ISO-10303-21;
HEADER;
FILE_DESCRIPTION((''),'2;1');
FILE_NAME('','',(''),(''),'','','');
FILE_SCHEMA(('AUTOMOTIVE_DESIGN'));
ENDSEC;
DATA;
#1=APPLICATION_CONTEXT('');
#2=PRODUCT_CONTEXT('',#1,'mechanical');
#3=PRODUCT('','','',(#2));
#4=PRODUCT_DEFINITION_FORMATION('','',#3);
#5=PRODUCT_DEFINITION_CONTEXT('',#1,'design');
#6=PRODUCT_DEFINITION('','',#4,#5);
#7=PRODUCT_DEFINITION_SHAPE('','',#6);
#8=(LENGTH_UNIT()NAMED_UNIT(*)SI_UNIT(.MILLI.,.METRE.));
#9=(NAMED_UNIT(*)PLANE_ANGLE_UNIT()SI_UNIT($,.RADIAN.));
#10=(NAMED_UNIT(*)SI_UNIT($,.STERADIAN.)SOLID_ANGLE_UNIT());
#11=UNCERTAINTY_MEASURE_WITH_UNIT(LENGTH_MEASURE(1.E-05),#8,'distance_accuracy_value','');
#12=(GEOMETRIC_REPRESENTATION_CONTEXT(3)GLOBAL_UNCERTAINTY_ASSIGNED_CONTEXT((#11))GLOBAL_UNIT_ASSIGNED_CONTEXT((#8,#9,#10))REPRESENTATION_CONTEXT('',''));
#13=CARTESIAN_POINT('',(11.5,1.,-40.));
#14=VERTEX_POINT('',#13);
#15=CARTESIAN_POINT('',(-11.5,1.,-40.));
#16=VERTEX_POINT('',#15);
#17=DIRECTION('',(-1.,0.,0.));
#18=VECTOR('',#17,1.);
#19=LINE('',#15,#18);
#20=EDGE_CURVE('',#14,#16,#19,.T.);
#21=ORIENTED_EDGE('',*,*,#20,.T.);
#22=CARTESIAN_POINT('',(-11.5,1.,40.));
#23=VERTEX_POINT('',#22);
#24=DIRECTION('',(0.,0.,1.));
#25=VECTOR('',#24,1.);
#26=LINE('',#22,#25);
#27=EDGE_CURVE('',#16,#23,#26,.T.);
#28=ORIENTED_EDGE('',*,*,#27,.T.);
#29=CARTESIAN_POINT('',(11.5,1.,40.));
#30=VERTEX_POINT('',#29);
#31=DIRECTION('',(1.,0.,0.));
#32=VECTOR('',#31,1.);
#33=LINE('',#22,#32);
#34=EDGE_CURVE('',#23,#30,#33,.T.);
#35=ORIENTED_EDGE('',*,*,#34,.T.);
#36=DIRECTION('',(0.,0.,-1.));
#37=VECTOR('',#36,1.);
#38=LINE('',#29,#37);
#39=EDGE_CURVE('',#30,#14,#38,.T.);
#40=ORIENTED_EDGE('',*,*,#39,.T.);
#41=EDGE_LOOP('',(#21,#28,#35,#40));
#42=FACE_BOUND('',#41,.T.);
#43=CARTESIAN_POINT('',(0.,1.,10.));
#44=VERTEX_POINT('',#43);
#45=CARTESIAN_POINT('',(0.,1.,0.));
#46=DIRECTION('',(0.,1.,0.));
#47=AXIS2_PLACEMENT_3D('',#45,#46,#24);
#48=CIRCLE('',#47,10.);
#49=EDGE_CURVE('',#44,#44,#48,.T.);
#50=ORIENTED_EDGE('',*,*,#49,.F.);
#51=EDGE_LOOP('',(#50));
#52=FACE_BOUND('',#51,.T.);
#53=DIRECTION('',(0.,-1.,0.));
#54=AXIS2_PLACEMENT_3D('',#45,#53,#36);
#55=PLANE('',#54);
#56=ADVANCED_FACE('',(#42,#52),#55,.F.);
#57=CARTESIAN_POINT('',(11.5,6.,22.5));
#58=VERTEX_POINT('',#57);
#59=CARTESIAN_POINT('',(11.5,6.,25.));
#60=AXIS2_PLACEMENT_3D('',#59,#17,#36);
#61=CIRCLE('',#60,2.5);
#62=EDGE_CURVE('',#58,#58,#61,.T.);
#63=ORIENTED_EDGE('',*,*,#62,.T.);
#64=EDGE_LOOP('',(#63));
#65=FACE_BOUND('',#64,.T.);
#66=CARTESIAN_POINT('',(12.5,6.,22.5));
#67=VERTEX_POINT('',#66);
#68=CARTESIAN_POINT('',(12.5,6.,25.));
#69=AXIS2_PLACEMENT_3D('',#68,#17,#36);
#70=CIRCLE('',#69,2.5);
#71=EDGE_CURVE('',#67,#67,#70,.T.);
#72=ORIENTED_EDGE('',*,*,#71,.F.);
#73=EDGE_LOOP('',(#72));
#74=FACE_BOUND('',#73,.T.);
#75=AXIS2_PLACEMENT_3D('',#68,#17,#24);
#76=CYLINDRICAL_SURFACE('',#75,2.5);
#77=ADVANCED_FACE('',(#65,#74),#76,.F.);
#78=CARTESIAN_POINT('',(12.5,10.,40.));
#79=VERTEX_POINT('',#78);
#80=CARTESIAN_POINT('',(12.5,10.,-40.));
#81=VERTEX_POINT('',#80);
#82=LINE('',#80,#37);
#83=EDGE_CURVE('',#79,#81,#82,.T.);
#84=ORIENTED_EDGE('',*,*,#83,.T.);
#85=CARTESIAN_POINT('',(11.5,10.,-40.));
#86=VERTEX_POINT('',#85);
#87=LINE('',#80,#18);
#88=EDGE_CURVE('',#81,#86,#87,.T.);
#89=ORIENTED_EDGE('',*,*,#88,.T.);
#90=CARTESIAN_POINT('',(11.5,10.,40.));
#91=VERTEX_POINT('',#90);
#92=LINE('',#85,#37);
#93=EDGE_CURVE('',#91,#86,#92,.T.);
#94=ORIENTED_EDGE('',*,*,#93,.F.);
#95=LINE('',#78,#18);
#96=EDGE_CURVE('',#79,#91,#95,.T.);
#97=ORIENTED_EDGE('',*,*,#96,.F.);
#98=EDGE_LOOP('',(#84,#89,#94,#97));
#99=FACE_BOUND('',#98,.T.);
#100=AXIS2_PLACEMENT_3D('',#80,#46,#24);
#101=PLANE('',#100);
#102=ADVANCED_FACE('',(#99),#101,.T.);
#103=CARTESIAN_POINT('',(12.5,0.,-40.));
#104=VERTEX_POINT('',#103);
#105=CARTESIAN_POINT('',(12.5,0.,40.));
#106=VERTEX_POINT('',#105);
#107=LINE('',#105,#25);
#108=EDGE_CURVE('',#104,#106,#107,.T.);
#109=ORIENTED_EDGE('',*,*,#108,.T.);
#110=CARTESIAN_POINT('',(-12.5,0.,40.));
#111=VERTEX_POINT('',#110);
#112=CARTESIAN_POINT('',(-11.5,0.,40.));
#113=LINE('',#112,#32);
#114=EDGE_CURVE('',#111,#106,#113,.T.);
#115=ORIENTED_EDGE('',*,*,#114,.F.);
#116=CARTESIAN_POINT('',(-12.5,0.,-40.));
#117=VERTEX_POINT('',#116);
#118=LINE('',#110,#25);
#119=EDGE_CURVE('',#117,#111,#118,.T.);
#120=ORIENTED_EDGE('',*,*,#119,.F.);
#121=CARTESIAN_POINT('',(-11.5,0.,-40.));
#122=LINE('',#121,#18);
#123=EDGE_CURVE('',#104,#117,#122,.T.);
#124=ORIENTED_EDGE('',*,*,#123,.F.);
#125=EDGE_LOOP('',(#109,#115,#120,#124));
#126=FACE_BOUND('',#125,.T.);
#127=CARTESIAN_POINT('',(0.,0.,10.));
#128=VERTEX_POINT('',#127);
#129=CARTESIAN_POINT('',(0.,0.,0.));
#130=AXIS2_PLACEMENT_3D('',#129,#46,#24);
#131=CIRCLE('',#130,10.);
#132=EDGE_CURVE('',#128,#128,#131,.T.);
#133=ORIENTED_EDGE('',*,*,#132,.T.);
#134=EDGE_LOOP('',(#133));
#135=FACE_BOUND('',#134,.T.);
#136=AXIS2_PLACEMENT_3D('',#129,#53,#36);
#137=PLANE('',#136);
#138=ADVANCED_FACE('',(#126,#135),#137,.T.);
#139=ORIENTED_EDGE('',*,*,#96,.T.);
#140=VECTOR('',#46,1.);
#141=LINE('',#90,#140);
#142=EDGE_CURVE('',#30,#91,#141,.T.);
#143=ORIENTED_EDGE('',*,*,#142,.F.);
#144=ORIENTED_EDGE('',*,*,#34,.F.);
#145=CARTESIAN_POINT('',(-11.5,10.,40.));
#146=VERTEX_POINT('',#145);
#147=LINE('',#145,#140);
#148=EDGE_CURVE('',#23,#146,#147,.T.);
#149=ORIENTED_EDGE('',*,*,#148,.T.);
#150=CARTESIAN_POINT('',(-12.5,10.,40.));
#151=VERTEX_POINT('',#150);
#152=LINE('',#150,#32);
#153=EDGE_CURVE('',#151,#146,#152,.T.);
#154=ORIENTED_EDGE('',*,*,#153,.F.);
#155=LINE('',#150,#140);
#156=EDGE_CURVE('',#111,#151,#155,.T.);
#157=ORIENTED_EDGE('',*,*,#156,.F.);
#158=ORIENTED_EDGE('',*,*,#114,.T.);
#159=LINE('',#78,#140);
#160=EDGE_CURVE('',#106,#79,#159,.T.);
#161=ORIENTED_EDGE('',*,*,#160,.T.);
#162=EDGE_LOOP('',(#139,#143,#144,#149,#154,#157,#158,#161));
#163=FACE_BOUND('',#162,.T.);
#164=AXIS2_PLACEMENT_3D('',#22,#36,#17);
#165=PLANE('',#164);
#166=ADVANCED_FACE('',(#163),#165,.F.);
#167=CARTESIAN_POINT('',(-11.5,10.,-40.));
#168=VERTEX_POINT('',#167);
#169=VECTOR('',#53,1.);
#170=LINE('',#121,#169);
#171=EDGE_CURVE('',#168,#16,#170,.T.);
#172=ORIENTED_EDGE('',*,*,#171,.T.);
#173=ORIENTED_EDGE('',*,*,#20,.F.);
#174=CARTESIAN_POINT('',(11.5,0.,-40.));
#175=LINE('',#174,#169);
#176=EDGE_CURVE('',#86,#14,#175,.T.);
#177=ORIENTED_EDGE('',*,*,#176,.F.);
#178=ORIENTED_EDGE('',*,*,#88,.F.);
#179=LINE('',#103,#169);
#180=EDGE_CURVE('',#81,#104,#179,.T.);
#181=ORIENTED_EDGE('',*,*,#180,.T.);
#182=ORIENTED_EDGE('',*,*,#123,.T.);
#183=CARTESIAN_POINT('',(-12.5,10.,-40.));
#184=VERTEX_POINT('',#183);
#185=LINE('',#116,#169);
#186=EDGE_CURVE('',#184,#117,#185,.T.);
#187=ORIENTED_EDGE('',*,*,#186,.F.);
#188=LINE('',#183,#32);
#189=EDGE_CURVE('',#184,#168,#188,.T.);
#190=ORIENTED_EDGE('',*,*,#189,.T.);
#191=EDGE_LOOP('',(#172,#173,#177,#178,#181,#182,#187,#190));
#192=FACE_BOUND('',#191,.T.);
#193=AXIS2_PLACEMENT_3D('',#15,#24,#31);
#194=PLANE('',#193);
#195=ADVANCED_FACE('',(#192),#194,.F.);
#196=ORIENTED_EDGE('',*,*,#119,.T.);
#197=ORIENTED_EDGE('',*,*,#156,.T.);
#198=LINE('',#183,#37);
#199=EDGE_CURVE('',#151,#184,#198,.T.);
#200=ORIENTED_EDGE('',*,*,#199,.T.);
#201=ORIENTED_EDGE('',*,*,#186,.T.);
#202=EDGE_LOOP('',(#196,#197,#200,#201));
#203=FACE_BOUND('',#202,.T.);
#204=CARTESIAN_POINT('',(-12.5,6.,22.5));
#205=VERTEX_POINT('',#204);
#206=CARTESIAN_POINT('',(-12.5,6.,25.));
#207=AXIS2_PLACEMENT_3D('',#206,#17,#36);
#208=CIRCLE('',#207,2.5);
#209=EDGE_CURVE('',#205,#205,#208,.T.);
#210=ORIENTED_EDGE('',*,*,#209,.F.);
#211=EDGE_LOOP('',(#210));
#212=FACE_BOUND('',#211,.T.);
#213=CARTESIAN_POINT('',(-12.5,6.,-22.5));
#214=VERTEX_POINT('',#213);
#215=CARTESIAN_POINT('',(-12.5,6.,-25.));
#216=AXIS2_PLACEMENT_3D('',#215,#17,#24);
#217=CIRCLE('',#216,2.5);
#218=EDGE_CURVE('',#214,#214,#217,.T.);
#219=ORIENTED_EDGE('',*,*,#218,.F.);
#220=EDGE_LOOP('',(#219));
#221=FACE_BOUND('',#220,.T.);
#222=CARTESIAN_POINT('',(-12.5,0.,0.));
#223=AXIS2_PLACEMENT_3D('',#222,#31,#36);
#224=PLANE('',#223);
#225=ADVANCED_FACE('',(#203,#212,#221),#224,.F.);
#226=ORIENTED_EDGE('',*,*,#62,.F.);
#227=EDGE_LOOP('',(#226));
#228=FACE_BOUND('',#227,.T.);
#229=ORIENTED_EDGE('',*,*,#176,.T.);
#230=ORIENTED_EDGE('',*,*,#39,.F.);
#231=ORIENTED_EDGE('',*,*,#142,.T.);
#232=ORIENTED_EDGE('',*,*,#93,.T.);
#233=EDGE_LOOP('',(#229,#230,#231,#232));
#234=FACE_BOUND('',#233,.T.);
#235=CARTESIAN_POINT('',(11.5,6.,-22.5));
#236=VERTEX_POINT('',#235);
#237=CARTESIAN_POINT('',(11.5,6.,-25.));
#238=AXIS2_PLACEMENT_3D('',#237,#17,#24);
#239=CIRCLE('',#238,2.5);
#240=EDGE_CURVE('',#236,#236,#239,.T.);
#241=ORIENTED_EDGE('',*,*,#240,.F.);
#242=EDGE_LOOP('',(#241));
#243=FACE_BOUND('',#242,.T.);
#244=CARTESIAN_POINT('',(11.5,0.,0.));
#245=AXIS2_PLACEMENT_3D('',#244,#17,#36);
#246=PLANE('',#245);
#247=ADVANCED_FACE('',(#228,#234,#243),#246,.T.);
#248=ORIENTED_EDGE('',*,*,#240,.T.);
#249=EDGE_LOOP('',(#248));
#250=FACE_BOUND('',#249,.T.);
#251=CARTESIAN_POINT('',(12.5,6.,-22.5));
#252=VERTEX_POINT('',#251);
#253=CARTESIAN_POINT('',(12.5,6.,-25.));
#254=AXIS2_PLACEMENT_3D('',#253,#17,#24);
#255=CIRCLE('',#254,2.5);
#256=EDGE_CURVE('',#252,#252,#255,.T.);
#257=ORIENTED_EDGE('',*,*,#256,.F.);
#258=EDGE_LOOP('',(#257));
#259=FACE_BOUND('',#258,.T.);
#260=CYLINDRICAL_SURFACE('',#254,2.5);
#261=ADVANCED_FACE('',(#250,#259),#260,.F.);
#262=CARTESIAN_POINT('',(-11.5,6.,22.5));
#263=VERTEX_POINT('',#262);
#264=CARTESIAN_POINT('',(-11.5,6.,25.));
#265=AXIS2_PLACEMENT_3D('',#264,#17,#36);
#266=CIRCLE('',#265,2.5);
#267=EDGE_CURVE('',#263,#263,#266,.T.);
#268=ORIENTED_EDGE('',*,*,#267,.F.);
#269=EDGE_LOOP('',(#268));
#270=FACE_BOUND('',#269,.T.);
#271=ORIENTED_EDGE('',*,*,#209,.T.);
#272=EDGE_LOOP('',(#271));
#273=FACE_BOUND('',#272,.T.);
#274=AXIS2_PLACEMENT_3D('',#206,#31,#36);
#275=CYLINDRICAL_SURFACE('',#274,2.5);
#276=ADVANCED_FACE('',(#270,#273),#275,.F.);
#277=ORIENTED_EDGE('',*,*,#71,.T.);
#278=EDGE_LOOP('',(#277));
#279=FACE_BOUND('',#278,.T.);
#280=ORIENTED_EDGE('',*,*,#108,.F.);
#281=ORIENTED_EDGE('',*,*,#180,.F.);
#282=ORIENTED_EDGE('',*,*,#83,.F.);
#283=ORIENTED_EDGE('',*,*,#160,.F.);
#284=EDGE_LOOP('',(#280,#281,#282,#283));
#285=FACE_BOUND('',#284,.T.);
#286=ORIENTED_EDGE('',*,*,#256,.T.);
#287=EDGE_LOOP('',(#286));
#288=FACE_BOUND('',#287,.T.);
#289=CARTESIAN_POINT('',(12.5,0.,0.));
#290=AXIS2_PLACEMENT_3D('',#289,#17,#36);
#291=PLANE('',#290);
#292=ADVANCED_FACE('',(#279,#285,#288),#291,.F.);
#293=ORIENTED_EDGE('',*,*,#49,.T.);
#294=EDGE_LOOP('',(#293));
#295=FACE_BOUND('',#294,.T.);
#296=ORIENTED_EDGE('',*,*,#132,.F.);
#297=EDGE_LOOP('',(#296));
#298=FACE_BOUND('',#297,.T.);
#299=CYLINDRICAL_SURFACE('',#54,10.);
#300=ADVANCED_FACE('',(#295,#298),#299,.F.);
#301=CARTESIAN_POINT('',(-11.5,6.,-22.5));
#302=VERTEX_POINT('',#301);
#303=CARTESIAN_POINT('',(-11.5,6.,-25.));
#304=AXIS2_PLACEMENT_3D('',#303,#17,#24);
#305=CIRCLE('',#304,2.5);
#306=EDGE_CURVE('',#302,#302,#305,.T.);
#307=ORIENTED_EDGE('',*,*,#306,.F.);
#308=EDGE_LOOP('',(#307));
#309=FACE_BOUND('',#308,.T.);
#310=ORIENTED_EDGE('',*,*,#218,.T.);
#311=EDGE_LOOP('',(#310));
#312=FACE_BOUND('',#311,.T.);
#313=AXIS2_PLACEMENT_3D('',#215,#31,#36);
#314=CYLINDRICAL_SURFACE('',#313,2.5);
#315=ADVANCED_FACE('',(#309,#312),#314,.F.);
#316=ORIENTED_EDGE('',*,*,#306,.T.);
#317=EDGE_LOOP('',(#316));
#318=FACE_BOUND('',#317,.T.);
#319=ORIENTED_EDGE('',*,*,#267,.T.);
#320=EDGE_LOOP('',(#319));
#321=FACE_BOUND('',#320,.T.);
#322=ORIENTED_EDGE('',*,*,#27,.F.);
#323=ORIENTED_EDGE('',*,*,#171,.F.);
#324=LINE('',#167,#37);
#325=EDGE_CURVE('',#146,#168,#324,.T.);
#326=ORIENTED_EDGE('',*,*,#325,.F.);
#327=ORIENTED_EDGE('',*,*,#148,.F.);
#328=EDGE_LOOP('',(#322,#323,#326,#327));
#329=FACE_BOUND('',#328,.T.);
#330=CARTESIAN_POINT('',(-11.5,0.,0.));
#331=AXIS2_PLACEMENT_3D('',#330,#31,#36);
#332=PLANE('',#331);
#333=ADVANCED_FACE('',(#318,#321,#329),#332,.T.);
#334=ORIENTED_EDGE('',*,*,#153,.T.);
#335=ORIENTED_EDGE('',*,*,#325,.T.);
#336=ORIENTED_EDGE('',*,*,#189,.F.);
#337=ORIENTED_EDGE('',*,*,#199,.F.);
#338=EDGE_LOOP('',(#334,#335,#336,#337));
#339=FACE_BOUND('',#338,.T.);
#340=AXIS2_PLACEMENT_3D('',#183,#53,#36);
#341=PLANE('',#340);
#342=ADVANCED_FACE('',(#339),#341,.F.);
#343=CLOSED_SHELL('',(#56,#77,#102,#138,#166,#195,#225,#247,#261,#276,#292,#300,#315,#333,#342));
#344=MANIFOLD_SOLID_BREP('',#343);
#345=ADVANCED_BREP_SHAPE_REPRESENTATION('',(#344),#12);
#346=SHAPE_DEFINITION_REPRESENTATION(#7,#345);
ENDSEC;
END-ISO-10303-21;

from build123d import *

# Parameters (mm, degrees)
SKETCH2_W           = 23
SKETCH2_H           = 80
SKETCH2_R           = 10
BOSS_EXTRUDE1_DEPTH = 1
SKETCH3_W           = 80
SKETCH3_H           = 10
SKETCH3_R           = 2.5
BOSS_EXTRUDE2_DEPTH = 1


with BuildPart() as part:
    # Sketch2 → Boss-Extrude1 (new body)
    with BuildSketch(Plane(origin=(0, 0, 0), x_dir=(1, 0, 0), z_dir=(0, 1, 0))):
        Rectangle(SKETCH2_W, SKETCH2_H)
        with Locations(Location((0, 0, 0), (0, 0, 270))):
            Circle(SKETCH2_R, mode=Mode.SUBTRACT)
    extrude(amount=BOSS_EXTRUDE1_DEPTH)

    # Sketch3 → Boss-Extrude2 (add)
    with BuildSketch(Plane.ZY.offset(11.5)):
        with Locations((0, 5)):
            Rectangle(SKETCH3_W, SKETCH3_H)
        with Locations((-25, 6)):
            Circle(SKETCH3_R, mode=Mode.SUBTRACT)
        with Locations(Location((25, 6, 0), (0, 0, 180))):
            Circle(SKETCH3_R, mode=Mode.SUBTRACT)
    boss_extrude2 = extrude(amount=BOSS_EXTRUDE2_DEPTH)

    # Mirror1: Boss-Extrude2 across plane
    add(boss_extrude2.mirror(Plane(origin=(0, 0, 0), x_dir=(0, 0, 1), z_dir=(1, 0, 0))))


solid = part.part
